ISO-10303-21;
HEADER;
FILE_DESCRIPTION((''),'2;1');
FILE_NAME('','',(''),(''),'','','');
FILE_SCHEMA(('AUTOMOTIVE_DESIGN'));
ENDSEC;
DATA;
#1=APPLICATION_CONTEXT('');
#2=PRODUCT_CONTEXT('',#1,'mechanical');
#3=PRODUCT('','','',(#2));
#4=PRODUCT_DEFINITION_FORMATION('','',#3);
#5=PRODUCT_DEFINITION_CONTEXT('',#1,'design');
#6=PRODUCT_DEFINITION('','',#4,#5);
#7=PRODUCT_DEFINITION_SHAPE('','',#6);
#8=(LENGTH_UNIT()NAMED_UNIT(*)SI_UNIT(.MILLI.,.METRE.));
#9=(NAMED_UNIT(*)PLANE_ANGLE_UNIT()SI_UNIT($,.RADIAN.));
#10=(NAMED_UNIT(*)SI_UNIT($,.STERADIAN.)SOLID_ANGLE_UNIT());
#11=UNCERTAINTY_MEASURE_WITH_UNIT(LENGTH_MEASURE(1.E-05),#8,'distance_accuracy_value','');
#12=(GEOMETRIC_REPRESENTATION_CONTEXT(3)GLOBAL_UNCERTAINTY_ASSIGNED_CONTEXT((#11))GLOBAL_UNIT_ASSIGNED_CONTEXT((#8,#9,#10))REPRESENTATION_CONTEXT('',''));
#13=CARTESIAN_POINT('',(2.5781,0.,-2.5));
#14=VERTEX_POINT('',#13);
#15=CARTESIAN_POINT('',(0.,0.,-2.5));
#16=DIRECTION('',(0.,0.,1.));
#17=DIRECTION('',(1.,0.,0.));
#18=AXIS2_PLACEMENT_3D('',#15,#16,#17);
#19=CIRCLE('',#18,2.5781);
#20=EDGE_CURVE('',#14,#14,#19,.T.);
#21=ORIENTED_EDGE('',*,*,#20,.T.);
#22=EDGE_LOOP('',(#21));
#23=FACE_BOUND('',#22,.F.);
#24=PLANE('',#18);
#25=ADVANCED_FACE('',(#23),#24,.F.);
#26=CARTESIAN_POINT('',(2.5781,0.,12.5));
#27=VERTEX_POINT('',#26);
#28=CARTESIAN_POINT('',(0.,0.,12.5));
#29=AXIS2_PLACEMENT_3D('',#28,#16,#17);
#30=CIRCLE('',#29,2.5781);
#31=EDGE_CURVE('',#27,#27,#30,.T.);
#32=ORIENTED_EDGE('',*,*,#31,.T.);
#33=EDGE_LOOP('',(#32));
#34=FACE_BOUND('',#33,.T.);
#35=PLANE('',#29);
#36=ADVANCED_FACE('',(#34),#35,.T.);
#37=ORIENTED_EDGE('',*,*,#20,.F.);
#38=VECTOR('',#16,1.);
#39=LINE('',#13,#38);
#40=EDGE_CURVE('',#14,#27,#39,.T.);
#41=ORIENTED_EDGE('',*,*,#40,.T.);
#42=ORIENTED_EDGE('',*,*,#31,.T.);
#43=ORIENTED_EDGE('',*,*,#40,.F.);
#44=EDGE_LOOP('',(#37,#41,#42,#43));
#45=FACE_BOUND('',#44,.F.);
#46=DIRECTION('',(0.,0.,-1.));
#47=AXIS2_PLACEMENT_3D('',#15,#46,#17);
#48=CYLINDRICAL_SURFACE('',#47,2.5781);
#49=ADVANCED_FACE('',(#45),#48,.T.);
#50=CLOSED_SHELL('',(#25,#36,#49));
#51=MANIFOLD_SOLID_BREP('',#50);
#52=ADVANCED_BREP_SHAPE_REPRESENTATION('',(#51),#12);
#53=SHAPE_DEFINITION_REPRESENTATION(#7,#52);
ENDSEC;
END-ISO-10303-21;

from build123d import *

# Parameters (mm, degrees)
CYLINDER_R     = 2.5781
CYLINDER_DEPTH = 15


with BuildPart() as part:
    # Cylinder → Cylinder (new body)
    with BuildSketch(Plane.XY.offset(-2.5)):
        Circle(CYLINDER_R)
    extrude(amount=CYLINDER_DEPTH)


solid = part.part
